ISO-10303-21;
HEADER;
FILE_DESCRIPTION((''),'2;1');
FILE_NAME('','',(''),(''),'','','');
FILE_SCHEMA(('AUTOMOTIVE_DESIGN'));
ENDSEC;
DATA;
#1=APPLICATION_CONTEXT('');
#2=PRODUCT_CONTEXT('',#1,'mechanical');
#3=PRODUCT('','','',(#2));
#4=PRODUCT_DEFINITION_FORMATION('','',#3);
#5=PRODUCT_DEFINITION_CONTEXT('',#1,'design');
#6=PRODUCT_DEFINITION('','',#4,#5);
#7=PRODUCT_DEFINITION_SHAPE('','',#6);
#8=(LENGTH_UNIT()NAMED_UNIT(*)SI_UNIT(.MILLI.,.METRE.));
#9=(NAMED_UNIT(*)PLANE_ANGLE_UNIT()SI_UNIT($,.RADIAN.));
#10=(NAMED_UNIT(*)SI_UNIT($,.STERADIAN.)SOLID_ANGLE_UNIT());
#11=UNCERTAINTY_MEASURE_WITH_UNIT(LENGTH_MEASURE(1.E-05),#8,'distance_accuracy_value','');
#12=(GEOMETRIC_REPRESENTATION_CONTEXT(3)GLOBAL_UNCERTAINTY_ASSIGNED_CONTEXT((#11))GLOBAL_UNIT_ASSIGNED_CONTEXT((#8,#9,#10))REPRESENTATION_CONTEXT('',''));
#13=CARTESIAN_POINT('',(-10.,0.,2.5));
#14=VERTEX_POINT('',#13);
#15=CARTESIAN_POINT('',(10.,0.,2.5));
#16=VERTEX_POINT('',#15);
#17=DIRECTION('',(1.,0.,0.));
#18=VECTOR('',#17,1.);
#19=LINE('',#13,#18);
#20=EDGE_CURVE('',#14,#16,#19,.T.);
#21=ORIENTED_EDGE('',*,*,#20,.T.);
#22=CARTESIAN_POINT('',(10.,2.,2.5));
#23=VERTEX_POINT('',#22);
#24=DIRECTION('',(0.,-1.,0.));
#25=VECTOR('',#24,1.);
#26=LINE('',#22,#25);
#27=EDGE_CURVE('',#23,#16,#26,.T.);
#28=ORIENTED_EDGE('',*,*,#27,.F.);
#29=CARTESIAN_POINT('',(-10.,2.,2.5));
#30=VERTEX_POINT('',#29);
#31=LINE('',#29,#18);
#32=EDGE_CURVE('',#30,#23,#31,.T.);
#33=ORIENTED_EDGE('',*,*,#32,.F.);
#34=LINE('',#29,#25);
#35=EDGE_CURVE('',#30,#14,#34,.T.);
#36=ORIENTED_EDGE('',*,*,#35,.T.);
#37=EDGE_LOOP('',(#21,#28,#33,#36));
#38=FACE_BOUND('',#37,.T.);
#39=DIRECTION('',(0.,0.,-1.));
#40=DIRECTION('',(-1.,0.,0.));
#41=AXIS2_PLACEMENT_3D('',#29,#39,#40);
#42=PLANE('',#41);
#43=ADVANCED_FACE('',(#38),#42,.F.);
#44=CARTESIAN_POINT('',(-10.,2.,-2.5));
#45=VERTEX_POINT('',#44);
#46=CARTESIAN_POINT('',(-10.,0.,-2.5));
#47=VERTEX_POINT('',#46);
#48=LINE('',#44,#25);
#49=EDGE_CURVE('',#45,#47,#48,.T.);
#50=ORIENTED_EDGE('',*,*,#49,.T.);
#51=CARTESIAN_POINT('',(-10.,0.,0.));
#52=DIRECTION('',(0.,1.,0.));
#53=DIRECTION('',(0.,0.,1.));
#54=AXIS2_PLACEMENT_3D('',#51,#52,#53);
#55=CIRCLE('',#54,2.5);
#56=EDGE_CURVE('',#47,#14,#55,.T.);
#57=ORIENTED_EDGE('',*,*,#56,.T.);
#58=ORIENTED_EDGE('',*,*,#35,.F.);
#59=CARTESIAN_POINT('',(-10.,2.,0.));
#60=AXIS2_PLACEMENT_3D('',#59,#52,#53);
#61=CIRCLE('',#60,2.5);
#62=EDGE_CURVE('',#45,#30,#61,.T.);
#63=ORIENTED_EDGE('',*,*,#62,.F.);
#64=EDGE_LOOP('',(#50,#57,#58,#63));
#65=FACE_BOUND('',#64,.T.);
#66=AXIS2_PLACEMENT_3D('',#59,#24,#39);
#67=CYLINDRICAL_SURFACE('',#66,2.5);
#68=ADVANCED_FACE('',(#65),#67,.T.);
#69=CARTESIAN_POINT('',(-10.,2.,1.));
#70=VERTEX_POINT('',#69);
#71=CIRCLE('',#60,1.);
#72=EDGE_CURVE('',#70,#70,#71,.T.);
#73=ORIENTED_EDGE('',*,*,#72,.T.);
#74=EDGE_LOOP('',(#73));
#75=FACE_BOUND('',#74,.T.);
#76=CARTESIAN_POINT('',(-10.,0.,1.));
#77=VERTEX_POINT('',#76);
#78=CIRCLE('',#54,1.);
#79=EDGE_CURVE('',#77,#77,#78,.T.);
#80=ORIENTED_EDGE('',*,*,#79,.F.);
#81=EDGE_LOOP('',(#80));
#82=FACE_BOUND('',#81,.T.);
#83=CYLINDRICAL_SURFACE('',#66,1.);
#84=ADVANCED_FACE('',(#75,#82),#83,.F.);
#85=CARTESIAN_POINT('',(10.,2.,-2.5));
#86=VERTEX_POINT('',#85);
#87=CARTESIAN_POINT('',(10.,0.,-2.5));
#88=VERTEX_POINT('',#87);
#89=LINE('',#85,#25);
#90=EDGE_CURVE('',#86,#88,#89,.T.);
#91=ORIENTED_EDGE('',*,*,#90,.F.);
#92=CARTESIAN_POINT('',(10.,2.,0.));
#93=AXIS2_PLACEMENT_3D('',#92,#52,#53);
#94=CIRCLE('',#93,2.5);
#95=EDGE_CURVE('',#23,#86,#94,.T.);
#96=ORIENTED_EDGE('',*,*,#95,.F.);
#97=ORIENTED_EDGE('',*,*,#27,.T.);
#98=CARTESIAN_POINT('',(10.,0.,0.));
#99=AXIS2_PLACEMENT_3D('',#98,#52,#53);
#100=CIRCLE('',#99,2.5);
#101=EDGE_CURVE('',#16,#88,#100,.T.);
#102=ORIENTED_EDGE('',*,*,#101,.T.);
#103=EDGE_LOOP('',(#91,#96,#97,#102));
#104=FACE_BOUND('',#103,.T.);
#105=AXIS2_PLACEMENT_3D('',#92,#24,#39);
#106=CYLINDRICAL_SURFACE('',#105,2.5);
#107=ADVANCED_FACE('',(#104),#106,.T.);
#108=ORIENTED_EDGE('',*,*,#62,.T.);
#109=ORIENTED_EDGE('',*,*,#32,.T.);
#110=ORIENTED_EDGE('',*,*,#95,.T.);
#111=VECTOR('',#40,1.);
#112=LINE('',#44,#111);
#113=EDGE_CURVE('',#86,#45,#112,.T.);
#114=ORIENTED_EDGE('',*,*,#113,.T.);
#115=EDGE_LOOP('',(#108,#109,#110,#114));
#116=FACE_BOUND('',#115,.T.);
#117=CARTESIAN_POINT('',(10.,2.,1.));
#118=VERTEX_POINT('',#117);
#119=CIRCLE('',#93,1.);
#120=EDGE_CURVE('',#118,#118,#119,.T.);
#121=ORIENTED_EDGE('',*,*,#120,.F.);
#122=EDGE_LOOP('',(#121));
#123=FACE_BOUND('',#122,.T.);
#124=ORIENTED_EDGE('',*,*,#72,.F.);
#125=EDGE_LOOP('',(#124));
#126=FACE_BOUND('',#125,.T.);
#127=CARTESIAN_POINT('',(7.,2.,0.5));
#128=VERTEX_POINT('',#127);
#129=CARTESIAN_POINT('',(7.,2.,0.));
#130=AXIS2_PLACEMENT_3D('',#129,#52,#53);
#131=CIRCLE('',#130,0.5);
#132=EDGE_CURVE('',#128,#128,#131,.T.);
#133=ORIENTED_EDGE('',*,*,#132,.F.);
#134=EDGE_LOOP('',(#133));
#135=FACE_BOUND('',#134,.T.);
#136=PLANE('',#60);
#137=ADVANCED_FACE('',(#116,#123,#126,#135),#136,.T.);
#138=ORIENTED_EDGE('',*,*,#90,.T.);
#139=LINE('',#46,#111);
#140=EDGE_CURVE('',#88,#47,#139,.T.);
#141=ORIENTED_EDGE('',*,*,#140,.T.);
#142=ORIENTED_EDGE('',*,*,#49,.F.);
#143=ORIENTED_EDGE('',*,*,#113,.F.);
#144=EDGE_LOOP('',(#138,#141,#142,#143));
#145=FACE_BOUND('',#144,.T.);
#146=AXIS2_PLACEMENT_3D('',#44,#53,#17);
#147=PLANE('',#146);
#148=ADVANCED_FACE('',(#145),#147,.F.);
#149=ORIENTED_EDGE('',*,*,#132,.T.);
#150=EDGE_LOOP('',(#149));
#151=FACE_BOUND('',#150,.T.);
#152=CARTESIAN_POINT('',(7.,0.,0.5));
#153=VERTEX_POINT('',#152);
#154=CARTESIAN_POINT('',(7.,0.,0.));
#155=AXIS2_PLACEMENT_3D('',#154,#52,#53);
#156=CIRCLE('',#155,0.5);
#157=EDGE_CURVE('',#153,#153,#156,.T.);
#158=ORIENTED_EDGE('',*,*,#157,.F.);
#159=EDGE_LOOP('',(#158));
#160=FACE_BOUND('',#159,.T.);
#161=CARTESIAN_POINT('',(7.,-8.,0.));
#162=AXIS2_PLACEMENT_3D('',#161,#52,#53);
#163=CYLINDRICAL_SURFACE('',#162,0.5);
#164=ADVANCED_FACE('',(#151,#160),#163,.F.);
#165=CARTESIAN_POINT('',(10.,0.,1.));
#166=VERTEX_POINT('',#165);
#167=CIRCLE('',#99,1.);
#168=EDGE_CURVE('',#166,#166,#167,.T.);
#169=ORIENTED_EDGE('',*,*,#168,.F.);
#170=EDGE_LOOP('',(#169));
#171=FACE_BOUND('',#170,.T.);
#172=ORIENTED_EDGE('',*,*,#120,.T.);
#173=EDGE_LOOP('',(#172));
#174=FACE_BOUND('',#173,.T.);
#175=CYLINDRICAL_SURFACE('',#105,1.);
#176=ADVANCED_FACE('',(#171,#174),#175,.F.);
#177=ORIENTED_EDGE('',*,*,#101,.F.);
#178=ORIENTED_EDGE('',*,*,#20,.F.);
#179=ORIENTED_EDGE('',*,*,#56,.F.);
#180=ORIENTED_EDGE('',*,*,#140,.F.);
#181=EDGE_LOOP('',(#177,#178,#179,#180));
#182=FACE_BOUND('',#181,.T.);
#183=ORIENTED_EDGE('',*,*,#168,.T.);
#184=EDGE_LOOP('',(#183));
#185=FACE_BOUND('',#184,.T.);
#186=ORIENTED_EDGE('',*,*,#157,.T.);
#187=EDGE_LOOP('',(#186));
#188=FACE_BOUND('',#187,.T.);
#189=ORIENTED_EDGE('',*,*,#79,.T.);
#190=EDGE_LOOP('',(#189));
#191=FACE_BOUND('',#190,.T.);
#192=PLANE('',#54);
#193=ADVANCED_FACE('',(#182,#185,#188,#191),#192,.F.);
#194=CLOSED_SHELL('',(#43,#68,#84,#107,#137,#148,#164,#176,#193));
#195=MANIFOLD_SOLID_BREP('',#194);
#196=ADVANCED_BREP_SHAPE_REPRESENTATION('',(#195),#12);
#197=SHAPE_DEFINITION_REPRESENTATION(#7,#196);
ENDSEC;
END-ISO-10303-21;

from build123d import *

# Parameters (mm, degrees)
SKETCH1_R           = 1
BOSS_EXTRUDE1_DEPTH = 2
SKETCH2_R           = 0.5
CUT_EXTRUDE1_DEPTH  = 10


with BuildPart() as part:
    # Sketch1 → Boss-Extrude1 (new body)
    with BuildSketch(Plane(origin=(0, 0, 0), x_dir=(1, 0, 0), z_dir=(0, 1, 0))):
        with BuildLine():
            Line((-10, 2.5), (10, 2.5))
            ThreePointArc((10, 2.5), (12.5, 0), (10, -2.5))
            Line((10, -2.5), (-10, -2.5))
            ThreePointArc((-10, -2.5), (-12.5, 0), (-10, 2.5))
        make_face()
        with Locations(Location((10, 0, 0), (0, 0, 270))):
            Circle(SKETCH1_R, mode=Mode.SUBTRACT)
        with Locations(Location((-10, 0, 0), (0, 0, 270))):
            Circle(SKETCH1_R, mode=Mode.SUBTRACT)
    extrude(amount=BOSS_EXTRUDE1_DEPTH)

    # Sketch2 → Cut-Extrude1 (cut)
    with BuildSketch(Plane(origin=(0, 2, 0), x_dir=(1, 0, 0), z_dir=(0, 1, 0))):
        with Locations(Location((7, 0, 0), (0, 0, 270))):
            Circle(SKETCH2_R)
    extrude(amount=-CUT_EXTRUDE1_DEPTH, mode=Mode.SUBTRACT)


solid = part.part
